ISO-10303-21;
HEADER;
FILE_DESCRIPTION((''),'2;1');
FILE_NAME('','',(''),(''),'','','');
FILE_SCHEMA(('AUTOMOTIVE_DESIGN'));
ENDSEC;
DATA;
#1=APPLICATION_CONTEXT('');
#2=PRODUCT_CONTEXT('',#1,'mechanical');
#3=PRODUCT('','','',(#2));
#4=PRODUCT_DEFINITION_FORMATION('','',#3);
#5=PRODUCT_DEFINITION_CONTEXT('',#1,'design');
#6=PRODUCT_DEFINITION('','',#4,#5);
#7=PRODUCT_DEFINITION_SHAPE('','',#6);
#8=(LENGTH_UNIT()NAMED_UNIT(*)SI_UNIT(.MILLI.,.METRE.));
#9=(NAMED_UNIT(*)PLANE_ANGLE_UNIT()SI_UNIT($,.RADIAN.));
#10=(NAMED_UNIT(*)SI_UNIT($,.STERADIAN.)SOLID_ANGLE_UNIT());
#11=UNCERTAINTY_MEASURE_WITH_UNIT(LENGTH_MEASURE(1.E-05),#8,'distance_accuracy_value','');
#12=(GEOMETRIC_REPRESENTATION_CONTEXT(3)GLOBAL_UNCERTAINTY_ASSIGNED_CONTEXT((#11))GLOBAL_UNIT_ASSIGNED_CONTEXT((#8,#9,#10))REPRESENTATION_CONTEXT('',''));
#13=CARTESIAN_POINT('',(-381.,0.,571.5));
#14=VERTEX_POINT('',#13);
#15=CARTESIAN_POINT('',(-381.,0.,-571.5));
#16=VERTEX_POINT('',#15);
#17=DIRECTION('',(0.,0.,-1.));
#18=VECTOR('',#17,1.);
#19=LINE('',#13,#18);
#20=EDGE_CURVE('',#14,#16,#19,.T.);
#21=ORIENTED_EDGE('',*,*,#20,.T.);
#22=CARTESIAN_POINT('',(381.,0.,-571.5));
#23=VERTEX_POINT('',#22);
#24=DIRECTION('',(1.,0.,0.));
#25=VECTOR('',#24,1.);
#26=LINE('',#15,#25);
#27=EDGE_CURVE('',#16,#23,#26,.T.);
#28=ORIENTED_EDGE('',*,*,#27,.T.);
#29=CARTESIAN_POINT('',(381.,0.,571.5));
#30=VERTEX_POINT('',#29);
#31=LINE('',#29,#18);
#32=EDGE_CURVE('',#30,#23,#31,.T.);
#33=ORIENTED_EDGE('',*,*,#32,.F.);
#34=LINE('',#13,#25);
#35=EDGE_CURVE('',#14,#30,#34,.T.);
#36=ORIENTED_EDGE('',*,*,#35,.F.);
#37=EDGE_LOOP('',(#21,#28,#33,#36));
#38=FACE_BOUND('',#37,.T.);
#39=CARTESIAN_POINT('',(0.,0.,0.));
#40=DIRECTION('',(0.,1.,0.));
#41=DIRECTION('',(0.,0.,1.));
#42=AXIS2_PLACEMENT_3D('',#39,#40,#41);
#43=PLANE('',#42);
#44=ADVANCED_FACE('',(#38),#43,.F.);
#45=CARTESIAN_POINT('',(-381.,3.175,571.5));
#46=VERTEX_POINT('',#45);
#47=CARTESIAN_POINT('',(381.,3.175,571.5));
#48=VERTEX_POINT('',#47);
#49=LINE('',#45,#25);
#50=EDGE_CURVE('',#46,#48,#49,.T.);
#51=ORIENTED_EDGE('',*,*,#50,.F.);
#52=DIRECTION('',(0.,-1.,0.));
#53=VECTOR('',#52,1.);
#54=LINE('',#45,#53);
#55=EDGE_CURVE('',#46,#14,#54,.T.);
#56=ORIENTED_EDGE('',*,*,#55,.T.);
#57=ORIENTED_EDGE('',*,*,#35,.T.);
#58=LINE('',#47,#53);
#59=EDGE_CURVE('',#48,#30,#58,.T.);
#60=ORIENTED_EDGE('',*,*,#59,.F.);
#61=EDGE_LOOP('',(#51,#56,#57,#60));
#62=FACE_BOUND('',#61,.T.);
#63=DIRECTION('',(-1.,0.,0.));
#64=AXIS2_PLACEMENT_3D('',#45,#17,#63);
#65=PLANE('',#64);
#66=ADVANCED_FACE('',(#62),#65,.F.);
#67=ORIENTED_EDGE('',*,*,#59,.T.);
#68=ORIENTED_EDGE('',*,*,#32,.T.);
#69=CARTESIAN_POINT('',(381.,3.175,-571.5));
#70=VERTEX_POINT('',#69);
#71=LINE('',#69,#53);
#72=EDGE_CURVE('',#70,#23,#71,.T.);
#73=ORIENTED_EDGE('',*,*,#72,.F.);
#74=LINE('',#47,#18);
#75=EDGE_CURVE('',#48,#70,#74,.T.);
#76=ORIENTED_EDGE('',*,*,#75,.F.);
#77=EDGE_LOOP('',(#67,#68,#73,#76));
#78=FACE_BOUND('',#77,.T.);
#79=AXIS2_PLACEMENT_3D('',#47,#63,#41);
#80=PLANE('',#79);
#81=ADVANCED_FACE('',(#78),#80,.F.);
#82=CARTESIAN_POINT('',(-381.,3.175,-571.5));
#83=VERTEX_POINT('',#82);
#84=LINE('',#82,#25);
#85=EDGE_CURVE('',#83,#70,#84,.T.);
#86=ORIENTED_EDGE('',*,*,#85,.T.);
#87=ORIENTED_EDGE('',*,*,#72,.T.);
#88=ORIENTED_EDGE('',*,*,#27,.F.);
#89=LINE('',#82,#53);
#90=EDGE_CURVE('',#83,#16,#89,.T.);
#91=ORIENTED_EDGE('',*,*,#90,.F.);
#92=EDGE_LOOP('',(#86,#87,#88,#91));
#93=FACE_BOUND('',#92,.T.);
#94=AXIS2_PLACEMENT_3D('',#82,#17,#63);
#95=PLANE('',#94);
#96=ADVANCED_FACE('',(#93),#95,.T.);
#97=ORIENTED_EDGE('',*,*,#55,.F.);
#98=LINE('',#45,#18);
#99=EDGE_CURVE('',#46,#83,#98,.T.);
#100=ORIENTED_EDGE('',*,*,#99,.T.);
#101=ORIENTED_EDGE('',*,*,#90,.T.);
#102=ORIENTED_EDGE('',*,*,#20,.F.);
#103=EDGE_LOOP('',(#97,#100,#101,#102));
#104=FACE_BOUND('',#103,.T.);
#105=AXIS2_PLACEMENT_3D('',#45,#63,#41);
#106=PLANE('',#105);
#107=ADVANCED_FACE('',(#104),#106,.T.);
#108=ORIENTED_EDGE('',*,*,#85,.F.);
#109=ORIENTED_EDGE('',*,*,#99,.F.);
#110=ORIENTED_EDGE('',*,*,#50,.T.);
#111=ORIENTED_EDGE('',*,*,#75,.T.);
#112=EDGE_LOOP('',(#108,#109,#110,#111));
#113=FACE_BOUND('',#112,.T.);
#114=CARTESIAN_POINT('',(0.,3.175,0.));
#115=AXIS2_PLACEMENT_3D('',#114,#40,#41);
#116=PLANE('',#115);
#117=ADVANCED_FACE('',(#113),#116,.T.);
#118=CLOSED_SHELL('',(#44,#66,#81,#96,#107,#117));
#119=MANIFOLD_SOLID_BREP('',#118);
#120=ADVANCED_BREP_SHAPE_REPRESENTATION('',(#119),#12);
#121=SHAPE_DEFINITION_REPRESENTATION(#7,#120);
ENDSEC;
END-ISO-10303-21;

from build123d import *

# Parameters (mm, degrees)
SKETCH1_W           = 762
SKETCH1_H           = 1143
BOSS_EXTRUDE1_DEPTH = 3.175


with BuildPart() as part:
    # Sketch1 → Boss-Extrude1 (new body)
    with BuildSketch(Plane(origin=(0, 0, 0), x_dir=(1, 0, 0), z_dir=(0, 1, 0))):
        Rectangle(SKETCH1_W, SKETCH1_H)
    extrude(amount=BOSS_EXTRUDE1_DEPTH)


solid = part.part
